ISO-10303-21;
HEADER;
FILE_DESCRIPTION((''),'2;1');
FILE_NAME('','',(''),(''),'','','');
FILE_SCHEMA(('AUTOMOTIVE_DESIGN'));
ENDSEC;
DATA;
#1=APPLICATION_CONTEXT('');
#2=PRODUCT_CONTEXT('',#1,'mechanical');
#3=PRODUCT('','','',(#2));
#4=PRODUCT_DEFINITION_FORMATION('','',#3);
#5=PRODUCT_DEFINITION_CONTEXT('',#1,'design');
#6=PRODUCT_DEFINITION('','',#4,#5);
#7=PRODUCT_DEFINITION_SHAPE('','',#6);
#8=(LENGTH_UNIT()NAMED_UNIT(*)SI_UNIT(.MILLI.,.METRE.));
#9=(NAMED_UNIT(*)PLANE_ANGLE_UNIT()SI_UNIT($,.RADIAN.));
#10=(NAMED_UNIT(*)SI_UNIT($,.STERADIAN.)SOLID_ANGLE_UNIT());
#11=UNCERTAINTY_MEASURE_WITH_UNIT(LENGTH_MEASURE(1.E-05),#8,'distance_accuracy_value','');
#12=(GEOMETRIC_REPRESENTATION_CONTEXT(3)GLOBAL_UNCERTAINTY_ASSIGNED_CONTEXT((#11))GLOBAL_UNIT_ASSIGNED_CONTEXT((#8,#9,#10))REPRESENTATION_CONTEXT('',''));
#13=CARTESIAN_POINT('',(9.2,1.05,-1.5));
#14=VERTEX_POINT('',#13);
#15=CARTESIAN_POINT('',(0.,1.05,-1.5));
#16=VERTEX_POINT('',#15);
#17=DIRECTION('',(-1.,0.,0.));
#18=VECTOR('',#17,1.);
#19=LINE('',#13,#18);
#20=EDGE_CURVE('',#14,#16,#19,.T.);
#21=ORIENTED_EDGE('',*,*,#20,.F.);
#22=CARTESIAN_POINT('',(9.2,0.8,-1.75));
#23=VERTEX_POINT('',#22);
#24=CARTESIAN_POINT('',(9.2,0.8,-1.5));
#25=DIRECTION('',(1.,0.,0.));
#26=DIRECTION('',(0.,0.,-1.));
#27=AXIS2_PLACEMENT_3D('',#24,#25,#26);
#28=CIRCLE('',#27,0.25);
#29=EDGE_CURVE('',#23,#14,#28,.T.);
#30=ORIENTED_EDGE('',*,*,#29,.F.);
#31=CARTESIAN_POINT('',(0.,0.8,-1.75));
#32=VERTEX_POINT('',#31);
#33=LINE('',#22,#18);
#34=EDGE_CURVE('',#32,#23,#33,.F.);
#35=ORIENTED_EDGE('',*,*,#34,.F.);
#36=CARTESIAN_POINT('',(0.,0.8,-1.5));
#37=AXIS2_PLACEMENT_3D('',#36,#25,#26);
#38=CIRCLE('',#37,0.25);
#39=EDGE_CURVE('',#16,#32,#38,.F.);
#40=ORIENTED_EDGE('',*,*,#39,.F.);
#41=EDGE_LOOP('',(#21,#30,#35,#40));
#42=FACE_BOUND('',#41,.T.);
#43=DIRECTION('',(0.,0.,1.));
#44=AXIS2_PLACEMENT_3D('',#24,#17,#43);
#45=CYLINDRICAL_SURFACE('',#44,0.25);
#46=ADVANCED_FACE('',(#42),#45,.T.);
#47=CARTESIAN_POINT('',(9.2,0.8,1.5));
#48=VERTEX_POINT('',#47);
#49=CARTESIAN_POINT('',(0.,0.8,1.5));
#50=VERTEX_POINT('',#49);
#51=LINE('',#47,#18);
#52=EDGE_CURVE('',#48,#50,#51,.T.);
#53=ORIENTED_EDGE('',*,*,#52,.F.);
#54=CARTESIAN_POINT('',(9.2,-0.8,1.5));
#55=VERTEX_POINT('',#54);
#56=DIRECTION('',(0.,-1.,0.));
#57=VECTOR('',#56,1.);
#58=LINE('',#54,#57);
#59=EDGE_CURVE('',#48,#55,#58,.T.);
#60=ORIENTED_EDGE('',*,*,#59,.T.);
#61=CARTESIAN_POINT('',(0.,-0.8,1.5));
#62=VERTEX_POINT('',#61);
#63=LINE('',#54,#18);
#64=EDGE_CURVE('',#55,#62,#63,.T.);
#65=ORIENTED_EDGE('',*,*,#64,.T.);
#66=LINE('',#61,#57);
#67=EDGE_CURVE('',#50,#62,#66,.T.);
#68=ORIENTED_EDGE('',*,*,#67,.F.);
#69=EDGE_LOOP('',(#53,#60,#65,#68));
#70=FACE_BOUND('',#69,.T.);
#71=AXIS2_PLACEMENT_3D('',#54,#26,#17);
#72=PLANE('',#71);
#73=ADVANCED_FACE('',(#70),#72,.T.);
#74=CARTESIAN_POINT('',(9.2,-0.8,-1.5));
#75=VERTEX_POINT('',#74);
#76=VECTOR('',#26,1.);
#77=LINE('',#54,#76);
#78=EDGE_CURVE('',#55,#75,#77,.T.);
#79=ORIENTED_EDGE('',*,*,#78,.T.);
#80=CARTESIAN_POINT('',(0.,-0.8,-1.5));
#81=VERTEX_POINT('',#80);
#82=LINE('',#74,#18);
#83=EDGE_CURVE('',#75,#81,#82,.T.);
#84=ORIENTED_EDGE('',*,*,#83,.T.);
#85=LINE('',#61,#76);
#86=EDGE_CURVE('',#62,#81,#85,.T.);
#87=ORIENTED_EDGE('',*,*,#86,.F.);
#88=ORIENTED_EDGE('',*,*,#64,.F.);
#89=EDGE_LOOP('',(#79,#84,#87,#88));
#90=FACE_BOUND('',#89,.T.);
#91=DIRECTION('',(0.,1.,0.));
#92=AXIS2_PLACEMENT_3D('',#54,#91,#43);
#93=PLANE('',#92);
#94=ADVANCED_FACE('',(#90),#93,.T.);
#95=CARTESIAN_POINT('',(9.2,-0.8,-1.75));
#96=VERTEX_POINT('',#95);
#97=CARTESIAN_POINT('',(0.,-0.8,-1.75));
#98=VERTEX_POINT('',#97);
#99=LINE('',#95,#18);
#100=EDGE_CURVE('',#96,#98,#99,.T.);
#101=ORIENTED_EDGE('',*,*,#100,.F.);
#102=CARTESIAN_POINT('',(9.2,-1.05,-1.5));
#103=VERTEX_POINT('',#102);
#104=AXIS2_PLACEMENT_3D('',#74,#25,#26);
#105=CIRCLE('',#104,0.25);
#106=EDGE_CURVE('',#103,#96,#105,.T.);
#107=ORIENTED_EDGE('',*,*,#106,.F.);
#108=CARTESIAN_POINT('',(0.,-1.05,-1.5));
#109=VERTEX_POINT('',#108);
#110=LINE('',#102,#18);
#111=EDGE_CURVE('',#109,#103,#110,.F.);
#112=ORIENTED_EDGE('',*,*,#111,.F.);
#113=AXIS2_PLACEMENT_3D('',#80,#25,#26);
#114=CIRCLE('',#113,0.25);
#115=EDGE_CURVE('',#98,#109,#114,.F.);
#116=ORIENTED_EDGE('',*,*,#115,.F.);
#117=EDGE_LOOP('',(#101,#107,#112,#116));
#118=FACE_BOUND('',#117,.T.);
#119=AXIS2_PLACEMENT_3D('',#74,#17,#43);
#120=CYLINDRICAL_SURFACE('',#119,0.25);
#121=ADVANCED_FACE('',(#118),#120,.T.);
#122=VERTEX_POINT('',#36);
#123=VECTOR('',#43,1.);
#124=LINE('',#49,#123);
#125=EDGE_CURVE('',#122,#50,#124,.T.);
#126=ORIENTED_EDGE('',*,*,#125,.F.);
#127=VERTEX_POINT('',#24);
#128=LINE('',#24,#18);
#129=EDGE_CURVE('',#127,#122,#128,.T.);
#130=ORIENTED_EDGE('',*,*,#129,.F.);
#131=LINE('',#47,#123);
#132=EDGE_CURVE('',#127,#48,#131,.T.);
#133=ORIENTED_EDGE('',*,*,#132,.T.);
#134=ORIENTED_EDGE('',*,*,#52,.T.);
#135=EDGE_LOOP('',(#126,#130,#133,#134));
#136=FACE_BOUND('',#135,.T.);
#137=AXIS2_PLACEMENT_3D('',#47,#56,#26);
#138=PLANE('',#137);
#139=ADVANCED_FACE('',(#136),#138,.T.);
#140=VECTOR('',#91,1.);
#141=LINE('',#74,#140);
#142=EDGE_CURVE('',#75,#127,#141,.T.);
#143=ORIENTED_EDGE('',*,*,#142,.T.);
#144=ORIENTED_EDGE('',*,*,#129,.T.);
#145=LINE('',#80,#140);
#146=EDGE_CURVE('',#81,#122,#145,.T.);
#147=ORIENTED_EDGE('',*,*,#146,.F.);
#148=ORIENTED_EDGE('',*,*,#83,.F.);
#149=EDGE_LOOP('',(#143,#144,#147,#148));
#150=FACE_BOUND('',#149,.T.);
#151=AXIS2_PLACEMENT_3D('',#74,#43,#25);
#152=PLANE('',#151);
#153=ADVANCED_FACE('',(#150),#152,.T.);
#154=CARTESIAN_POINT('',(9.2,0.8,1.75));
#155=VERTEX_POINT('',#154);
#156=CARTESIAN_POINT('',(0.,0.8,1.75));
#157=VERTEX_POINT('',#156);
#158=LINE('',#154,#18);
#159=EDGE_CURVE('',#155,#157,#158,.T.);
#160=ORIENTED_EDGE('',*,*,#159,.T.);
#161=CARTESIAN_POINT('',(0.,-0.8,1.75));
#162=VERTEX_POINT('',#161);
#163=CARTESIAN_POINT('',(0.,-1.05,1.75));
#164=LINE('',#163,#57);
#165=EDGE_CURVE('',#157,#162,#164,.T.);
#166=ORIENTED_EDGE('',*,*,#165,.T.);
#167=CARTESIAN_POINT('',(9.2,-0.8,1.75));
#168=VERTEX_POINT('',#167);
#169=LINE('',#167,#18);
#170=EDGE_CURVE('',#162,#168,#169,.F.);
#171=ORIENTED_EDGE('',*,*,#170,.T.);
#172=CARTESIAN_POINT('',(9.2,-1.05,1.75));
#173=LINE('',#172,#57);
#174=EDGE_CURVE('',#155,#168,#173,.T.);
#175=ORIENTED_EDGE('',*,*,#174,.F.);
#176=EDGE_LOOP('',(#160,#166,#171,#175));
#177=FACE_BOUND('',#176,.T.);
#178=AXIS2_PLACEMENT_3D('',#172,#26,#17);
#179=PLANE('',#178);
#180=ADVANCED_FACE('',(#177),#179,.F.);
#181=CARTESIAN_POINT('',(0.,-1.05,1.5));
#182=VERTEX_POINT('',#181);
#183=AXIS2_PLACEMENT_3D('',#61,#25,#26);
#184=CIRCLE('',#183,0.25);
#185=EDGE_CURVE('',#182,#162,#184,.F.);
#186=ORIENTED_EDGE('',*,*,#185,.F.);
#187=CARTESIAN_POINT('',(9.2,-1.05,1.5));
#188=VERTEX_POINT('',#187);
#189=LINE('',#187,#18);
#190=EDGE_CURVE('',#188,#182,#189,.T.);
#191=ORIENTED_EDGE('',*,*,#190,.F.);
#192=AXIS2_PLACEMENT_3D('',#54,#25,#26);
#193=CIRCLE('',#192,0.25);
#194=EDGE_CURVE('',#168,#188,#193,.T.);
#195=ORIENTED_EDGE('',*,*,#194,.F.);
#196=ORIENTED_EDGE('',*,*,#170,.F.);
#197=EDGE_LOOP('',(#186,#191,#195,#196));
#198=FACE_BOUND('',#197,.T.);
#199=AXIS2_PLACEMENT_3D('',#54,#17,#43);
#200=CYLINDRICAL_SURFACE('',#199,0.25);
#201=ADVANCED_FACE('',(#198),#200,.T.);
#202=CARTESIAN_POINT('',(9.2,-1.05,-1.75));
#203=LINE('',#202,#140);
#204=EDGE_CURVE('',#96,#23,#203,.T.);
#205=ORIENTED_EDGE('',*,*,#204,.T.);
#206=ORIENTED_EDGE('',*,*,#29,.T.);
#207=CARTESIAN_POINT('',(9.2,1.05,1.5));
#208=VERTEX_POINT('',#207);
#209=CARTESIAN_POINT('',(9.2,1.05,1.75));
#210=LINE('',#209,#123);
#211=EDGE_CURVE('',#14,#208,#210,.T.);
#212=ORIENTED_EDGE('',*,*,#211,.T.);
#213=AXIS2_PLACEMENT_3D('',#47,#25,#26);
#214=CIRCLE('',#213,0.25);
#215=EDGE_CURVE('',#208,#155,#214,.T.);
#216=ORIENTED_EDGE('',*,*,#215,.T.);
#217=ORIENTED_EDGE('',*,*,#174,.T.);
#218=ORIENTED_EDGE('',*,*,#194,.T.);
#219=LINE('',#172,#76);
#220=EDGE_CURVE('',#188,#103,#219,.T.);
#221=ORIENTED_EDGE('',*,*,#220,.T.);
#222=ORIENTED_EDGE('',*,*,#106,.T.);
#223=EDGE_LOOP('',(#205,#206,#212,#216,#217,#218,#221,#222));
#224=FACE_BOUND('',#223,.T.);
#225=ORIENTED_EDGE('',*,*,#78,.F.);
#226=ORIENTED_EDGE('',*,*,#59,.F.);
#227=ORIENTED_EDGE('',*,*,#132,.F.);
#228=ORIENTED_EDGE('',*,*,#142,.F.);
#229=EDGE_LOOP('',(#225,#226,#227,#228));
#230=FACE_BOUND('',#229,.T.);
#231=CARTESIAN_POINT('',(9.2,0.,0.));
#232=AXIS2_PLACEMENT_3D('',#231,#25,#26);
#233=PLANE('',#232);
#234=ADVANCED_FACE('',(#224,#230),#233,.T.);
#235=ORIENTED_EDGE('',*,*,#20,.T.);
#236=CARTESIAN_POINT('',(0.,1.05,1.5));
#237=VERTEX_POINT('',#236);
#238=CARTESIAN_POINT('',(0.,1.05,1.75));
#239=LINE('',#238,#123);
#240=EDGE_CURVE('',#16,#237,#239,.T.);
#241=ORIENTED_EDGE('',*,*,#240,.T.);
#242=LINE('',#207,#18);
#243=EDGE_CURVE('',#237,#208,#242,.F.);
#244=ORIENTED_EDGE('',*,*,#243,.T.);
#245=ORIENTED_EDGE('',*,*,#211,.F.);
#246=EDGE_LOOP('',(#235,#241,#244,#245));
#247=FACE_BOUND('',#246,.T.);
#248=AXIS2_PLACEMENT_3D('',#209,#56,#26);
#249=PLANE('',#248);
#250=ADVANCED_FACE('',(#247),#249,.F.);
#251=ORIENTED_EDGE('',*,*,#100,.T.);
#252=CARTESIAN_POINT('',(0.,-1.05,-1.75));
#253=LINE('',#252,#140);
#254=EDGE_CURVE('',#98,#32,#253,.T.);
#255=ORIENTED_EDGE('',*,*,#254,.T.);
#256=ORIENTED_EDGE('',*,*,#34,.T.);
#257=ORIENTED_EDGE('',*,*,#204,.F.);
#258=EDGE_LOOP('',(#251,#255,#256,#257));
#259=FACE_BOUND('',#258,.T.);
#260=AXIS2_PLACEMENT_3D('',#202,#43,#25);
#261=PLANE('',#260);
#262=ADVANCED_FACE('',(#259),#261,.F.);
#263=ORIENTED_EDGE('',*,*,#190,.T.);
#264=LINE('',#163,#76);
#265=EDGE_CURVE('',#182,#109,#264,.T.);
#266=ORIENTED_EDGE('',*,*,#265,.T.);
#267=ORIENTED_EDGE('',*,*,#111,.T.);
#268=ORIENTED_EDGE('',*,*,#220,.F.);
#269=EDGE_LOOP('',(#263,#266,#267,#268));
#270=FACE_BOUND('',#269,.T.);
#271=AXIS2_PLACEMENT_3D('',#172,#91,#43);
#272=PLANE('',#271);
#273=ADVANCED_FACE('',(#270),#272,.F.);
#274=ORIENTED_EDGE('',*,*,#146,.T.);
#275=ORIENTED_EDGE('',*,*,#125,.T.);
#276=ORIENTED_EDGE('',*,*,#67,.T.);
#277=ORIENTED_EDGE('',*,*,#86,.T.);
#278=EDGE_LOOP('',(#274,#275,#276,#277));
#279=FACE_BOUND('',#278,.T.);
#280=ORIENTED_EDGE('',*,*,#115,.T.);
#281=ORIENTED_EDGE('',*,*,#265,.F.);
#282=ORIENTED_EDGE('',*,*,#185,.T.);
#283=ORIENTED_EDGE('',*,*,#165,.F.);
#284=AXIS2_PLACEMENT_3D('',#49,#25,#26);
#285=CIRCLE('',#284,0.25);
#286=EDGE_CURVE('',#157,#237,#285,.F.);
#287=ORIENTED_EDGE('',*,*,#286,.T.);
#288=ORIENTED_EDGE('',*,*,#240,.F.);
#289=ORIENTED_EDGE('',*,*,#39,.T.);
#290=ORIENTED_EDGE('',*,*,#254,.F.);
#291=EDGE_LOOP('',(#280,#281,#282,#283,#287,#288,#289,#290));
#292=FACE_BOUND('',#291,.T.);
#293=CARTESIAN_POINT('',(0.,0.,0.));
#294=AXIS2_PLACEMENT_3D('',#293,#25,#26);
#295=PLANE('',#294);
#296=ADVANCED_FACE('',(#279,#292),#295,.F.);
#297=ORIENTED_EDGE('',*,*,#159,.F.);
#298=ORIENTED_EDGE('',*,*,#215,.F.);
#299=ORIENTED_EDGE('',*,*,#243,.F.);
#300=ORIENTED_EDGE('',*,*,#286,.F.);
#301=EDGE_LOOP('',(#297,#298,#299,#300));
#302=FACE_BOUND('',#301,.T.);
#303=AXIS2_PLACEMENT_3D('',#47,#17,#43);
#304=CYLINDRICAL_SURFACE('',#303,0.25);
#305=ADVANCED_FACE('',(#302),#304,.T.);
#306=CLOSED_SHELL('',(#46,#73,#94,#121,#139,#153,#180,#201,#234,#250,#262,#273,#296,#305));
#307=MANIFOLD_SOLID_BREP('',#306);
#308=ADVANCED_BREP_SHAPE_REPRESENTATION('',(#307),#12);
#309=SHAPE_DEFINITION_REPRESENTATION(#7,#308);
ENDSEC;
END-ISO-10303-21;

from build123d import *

# Parameters (mm, degrees)
SKETCH_1_W      = 3.5
SKETCH_1_H      = 2.1
SKETCH_1_W_2    = 3
SKETCH_1_H_2    = 1.6
EXTRUDE_1_DEPTH = 9.2
FILLET_1_R      = 0.25


with BuildPart() as part:
    # 草图1 → 凸台-拉伸1 (new body)
    with BuildSketch(Plane(origin=(0, 0, 0), x_dir=(0, 0, -1), z_dir=(1, 0, 0))):
        Rectangle(SKETCH_1_W, SKETCH_1_H)
        Rectangle(SKETCH_1_W_2, SKETCH_1_H_2, mode=Mode.SUBTRACT)
    extrude(amount=EXTRUDE_1_DEPTH)

    # 圆角1
    fillet_1_edges = [part.edges().sort_by_distance(p)[0] for p in [
        (4.6, -1.05, 1.75),
        (4.6, 1.05, 1.75),
        (4.6, 1.05, -1.75),
        (4.6, -1.05, -1.75),
    ]]
    fillet(fillet_1_edges, radius=FILLET_1_R)


solid = part.part
